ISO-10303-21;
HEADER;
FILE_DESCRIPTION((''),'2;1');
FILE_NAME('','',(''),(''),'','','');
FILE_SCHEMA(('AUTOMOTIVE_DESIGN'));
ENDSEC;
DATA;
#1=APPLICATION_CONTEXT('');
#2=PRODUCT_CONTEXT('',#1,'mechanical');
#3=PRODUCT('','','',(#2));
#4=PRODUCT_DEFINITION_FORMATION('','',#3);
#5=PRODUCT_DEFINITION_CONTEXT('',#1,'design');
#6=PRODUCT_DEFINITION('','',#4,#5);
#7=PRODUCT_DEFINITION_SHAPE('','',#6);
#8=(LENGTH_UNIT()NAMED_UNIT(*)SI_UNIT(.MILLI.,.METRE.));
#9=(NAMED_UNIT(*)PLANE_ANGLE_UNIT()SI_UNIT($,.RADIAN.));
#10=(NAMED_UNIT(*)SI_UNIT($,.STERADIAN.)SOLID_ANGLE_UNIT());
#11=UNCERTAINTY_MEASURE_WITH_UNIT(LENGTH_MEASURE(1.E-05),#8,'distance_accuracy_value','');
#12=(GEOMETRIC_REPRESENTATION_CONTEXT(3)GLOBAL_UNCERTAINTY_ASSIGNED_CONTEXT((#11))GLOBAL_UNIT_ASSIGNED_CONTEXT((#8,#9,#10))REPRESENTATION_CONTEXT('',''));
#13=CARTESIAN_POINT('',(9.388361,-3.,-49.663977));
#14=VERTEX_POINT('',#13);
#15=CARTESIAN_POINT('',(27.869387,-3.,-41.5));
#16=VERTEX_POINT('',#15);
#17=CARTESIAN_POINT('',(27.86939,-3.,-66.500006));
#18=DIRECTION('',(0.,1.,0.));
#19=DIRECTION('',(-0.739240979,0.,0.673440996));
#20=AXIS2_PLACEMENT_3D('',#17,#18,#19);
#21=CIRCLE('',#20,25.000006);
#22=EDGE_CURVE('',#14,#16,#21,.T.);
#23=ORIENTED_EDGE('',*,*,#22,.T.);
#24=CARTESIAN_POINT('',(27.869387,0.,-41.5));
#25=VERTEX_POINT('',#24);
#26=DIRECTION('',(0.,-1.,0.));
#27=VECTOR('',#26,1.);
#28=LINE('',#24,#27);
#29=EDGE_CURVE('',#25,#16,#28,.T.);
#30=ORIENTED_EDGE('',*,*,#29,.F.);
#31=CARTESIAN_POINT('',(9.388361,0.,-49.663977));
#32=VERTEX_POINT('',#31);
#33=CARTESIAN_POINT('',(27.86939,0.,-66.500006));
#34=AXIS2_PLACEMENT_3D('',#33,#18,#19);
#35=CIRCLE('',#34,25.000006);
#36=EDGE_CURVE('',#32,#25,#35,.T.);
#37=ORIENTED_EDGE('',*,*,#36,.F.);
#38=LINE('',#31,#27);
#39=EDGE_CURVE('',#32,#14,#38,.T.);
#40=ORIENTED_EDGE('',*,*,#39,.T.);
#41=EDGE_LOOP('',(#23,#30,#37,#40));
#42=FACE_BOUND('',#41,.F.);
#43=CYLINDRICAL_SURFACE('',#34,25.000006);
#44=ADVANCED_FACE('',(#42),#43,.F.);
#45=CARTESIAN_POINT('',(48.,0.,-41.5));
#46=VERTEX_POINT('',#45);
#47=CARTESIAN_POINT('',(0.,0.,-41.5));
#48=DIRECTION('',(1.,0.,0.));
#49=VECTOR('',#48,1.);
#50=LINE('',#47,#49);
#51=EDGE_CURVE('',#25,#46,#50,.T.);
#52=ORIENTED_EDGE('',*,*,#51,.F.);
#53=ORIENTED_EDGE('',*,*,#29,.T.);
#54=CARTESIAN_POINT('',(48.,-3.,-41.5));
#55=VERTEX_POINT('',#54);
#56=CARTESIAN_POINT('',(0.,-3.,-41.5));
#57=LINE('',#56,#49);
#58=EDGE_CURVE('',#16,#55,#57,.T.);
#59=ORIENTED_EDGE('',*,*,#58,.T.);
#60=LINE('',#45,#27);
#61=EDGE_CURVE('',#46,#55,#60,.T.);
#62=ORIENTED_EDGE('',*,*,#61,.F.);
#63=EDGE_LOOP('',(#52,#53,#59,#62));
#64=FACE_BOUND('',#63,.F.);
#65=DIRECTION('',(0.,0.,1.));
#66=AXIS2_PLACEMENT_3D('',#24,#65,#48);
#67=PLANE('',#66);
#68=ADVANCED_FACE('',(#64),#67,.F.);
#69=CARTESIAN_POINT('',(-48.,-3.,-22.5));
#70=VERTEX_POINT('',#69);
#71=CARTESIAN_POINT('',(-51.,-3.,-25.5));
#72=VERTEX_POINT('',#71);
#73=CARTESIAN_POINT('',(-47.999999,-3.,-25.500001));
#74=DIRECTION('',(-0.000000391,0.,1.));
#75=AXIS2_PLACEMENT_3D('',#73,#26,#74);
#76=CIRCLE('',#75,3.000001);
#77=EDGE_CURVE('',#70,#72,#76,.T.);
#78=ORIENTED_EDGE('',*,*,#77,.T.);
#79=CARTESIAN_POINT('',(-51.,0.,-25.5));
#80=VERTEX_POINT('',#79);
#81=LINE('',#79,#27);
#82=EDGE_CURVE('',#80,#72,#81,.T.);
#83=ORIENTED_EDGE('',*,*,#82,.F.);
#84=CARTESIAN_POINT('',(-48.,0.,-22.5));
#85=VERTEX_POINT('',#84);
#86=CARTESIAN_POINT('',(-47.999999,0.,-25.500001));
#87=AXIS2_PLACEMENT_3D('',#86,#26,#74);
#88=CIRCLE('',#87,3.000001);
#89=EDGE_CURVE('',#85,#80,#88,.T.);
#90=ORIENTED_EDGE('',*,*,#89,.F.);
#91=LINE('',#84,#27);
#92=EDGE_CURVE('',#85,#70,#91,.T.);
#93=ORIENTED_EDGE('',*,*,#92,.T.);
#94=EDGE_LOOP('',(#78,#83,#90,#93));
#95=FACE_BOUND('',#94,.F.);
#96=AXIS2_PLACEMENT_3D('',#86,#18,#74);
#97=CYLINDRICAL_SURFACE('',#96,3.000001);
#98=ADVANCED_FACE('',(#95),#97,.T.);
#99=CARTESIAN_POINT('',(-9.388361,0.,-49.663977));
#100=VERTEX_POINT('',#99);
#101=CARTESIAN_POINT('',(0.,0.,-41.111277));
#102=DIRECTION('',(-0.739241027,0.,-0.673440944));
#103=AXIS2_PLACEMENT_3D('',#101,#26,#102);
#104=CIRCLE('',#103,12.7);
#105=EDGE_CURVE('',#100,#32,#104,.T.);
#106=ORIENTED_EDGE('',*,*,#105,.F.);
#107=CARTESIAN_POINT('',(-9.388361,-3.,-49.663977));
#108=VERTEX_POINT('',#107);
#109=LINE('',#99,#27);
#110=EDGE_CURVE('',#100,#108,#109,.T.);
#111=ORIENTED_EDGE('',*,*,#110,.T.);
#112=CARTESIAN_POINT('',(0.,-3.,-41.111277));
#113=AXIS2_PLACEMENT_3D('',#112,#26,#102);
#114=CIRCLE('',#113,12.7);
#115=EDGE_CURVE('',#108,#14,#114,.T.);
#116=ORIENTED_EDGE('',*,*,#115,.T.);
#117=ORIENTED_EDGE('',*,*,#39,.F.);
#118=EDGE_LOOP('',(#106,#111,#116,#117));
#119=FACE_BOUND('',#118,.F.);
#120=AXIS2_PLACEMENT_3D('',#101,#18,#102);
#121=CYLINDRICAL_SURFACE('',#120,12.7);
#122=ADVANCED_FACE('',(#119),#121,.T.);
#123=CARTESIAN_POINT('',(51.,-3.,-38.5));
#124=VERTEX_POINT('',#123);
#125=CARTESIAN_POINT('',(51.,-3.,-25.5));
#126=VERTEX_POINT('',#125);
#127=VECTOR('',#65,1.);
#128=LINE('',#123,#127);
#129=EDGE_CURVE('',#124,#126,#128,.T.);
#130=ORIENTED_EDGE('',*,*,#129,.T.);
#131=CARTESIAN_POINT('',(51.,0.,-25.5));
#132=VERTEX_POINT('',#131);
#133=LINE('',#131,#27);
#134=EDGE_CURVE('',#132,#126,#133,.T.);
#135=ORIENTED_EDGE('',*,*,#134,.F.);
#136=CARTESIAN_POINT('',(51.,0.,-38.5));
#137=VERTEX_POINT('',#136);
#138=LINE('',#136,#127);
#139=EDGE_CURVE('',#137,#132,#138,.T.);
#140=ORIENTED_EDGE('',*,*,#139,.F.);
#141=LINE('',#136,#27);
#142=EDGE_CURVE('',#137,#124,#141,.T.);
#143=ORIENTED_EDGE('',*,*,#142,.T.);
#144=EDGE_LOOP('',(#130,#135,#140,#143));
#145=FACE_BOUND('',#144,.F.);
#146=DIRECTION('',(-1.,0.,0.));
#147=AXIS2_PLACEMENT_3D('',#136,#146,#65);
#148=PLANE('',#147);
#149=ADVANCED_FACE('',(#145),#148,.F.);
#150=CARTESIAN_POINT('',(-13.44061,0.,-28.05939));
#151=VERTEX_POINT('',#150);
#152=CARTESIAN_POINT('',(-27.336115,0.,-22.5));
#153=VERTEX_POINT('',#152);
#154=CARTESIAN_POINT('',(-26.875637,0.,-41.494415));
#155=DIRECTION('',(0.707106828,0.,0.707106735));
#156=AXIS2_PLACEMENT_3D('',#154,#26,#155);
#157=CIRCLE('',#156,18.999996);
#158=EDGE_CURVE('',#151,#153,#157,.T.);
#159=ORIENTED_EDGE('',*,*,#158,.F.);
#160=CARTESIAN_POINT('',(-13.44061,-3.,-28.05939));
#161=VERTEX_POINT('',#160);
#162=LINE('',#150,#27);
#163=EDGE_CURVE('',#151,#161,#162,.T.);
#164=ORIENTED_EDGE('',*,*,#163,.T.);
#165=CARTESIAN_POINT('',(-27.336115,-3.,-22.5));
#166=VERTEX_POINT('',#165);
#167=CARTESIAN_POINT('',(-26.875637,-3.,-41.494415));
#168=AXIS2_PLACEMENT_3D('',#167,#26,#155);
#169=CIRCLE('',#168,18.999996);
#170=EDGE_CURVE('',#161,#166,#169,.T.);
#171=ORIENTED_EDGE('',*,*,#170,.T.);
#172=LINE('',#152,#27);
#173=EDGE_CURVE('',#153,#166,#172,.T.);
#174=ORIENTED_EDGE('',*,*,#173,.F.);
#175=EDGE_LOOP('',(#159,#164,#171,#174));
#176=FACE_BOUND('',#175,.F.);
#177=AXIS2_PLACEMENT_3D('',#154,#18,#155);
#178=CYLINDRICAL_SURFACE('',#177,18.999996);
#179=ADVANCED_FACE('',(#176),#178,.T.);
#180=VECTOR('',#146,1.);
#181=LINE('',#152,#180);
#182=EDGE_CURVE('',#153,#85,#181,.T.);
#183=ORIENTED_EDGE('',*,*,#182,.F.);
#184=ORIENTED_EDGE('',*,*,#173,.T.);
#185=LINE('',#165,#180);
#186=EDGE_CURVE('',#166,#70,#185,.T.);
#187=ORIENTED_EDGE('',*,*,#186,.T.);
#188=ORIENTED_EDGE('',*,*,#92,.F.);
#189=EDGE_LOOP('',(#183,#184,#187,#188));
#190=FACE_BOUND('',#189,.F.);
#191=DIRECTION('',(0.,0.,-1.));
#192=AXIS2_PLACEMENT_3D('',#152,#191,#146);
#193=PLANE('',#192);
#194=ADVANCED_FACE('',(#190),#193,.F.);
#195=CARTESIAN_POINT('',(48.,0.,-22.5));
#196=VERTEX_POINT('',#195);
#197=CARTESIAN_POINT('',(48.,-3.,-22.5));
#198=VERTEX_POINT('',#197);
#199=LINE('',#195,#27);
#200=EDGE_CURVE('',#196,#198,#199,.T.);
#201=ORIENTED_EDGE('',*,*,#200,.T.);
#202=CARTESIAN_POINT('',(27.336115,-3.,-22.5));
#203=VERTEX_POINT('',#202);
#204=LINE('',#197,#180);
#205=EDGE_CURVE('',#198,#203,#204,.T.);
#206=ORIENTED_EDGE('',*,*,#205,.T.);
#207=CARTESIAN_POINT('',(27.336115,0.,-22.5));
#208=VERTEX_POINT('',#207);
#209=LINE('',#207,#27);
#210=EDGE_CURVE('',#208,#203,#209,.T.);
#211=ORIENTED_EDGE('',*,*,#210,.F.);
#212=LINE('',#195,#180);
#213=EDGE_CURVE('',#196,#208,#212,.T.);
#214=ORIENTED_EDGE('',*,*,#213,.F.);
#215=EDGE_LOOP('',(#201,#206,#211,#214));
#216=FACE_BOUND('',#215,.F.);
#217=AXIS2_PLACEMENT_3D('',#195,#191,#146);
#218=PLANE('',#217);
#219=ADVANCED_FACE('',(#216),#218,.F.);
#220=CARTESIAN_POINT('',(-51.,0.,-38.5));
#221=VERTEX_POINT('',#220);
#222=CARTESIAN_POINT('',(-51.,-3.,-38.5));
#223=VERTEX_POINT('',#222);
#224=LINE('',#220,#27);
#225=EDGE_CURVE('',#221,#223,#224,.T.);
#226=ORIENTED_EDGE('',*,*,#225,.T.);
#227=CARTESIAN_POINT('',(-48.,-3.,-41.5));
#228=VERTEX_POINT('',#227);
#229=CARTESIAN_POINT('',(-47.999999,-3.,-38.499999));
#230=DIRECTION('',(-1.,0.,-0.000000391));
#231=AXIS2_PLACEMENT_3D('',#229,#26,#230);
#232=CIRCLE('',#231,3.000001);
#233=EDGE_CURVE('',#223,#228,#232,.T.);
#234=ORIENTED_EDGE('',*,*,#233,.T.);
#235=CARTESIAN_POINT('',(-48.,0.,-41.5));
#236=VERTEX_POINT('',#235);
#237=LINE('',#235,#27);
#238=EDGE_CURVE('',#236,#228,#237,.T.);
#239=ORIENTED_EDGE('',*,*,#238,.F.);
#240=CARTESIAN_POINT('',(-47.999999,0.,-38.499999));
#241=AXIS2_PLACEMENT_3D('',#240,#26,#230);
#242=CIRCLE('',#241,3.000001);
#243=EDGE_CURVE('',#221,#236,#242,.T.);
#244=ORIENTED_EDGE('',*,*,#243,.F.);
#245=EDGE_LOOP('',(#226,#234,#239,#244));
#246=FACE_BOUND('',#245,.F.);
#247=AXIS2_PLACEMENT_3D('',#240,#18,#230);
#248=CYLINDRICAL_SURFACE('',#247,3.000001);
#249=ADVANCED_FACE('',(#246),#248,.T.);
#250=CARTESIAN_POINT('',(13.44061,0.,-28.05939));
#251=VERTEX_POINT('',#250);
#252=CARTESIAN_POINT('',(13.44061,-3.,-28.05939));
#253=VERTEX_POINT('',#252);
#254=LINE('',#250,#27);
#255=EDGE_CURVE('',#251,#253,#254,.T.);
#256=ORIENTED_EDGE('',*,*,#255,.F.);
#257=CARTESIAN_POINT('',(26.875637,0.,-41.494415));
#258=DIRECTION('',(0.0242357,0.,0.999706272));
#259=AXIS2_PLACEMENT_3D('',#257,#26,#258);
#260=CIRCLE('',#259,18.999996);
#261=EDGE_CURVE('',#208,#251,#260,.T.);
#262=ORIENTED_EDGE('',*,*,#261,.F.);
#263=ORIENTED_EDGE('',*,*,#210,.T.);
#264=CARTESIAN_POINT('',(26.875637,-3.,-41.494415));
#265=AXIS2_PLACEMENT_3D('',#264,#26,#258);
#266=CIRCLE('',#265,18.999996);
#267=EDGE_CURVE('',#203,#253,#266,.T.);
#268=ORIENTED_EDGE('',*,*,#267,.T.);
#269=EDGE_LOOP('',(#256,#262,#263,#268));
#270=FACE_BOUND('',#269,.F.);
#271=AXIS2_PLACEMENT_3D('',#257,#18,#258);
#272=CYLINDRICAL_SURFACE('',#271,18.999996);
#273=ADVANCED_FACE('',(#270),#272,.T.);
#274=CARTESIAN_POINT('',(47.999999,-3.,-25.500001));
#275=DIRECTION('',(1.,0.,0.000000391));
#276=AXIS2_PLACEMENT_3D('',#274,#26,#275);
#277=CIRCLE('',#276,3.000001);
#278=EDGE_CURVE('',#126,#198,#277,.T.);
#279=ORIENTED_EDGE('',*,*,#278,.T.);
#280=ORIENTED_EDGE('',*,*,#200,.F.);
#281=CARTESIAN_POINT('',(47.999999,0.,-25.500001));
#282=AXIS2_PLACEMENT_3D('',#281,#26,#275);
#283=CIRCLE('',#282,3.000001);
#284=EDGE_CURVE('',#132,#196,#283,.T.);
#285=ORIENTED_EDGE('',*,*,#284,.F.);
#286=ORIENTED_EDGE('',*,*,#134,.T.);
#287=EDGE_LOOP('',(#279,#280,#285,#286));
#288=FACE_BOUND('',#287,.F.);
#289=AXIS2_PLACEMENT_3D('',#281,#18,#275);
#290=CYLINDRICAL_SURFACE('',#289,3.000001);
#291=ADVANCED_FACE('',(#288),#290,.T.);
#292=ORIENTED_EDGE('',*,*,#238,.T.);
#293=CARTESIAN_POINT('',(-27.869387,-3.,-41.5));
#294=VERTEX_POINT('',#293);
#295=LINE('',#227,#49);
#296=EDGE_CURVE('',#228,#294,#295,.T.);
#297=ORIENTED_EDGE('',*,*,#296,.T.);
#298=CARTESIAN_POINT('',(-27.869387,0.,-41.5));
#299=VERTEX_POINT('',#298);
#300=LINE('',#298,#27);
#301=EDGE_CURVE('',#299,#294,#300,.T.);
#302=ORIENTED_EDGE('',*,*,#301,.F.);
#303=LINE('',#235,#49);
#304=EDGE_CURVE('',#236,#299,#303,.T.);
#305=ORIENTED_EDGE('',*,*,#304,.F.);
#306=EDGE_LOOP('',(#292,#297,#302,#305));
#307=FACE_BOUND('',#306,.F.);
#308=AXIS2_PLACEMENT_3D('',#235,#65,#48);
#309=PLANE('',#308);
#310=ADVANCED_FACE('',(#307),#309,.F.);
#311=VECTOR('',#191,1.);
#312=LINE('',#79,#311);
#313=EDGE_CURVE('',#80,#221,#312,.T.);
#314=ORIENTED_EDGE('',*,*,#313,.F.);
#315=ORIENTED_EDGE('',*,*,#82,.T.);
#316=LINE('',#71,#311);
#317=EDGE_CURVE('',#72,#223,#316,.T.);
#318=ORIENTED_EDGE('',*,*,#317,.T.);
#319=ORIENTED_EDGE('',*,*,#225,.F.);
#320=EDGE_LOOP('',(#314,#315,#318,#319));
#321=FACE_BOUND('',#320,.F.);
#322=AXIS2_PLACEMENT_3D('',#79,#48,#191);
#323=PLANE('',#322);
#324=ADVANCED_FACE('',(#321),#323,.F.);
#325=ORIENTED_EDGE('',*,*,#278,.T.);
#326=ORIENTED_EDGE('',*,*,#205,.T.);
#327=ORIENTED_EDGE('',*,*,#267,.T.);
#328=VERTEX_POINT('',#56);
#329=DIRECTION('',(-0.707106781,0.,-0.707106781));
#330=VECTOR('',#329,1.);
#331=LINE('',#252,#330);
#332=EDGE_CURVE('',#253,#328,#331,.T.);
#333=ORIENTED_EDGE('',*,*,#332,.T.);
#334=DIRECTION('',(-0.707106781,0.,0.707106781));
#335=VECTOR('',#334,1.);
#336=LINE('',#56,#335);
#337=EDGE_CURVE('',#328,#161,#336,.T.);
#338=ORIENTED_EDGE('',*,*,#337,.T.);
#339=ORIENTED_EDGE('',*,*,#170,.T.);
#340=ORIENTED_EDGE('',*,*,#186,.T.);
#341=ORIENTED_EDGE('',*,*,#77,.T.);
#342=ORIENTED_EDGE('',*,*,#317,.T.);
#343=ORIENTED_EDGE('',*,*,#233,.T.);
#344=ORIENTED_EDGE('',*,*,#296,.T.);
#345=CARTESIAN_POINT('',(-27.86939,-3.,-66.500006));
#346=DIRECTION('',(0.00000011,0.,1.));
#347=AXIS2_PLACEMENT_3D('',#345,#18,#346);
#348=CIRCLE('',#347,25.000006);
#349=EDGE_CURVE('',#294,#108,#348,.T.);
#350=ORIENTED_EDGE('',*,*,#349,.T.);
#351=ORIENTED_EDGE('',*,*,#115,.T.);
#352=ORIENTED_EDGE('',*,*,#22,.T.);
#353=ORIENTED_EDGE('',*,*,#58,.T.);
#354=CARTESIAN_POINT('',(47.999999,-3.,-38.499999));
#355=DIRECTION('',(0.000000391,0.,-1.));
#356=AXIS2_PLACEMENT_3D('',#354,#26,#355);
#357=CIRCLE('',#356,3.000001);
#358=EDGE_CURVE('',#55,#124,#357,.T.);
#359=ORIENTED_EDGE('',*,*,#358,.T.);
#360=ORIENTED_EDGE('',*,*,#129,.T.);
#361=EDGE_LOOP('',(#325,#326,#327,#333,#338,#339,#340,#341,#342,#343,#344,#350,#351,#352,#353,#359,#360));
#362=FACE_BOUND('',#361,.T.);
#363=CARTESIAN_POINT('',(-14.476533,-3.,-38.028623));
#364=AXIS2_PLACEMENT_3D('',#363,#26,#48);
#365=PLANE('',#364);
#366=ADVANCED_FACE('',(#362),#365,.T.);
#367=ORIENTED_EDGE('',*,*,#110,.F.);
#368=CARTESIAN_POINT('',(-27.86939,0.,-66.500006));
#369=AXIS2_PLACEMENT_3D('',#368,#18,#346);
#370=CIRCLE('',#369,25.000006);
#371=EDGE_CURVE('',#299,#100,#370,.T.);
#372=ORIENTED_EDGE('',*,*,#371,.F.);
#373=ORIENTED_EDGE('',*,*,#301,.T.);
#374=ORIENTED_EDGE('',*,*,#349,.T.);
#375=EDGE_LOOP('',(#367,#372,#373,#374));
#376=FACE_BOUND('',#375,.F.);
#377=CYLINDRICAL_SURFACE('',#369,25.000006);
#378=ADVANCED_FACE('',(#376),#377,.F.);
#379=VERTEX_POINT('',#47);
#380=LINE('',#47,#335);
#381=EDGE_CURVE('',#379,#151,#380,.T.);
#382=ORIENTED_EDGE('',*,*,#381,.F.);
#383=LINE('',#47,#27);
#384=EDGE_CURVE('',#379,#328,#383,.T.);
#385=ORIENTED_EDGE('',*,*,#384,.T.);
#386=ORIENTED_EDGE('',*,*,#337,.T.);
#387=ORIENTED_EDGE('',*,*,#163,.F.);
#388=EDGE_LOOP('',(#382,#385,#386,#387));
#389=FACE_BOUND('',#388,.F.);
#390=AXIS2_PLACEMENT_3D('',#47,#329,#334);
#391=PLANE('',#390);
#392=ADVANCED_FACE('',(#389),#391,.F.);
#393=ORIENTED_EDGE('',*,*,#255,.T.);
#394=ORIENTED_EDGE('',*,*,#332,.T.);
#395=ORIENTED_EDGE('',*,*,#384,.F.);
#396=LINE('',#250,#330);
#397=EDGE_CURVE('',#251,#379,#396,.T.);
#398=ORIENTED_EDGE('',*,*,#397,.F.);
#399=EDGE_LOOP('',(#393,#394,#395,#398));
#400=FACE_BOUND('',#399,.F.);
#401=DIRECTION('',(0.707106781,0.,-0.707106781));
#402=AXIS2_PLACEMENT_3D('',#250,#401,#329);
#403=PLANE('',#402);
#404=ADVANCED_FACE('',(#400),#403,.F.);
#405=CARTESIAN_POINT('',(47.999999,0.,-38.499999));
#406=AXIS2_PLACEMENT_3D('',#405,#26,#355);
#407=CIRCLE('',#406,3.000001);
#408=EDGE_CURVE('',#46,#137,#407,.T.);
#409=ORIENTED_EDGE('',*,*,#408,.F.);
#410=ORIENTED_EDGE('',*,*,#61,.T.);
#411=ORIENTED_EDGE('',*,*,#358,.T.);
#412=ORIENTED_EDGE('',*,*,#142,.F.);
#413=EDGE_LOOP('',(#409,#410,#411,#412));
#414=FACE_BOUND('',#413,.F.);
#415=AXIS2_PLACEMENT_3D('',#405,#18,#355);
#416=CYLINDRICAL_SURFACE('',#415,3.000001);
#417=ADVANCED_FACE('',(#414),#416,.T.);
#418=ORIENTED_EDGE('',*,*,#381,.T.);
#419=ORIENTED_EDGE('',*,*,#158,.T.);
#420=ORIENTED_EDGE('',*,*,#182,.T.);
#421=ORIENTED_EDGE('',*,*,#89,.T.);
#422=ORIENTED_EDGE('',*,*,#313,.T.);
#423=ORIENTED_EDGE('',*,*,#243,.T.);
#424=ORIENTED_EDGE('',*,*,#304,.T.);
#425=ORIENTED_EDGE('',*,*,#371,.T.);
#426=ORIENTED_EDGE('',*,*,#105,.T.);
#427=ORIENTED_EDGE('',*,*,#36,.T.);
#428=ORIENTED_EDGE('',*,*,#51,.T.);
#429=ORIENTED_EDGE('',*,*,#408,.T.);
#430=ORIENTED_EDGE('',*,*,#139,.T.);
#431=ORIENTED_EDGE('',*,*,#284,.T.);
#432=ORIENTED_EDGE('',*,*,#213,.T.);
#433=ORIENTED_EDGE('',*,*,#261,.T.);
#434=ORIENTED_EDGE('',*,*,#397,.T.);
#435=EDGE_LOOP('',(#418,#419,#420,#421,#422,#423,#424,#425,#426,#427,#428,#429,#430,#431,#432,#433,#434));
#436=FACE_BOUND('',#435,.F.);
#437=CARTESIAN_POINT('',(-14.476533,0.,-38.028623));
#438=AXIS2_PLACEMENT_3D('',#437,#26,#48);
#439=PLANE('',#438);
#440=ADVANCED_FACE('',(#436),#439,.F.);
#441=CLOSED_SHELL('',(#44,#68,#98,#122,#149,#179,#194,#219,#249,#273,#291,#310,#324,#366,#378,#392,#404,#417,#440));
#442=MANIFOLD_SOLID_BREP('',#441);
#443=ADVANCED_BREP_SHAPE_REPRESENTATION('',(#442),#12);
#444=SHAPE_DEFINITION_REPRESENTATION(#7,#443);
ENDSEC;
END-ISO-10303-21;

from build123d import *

# Parameters (mm, degrees)
F1_DEPTH = 3


with BuildPart() as f1:
    # F0 (on Front) → F1 (new body)
    with BuildSketch(Plane.XZ):
        with BuildLine():
            ThreePointArc((-48, -22.5), (-50.12132, -23.37868), (-51, -25.5))
            Line((-51, -25.5), (-51, -38.5))
            ThreePointArc((-51, -38.5), (-50.12132, -40.62132), (-48, -41.5))
            Line((-48, -41.5), (-27.869387, -41.5))
            ThreePointArc((-27.869387, -41.5), (-17.767422, -43.631894), (-9.388361, -49.663977))
            ThreePointArc((-9.388361, -49.663977), (0, -53.811277), (9.388361, -49.663977))
            ThreePointArc((9.388361, -49.663977), (17.767422, -43.631894), (27.869387, -41.5))
            Line((27.869387, -41.5), (0, -41.5))
            Line((0, -41.5), (-13.44061, -28.05939))
            ThreePointArc((-13.44061, -28.05939), (-19.817915, -23.853882), (-27.336115, -22.5))
            Line((-27.336115, -22.5), (-48, -22.5))
        make_face()
        with BuildLine():
            Line((13.44061, -28.05939), (0, -41.5))
            Line((0, -41.5), (27.869387, -41.5))
            Line((27.869387, -41.5), (48, -41.5))
            ThreePointArc((48, -41.5), (50.12132, -40.62132), (51, -38.5))
            Line((51, -38.5), (51, -25.5))
            ThreePointArc((51, -25.5), (50.12132, -23.37868), (48, -22.5))
            Line((48, -22.5), (27.336115, -22.5))
            ThreePointArc((27.336115, -22.5), (19.817915, -23.853882), (13.44061, -28.05939))
        make_face()
    extrude(amount=F1_DEPTH)


solid = f1.part
